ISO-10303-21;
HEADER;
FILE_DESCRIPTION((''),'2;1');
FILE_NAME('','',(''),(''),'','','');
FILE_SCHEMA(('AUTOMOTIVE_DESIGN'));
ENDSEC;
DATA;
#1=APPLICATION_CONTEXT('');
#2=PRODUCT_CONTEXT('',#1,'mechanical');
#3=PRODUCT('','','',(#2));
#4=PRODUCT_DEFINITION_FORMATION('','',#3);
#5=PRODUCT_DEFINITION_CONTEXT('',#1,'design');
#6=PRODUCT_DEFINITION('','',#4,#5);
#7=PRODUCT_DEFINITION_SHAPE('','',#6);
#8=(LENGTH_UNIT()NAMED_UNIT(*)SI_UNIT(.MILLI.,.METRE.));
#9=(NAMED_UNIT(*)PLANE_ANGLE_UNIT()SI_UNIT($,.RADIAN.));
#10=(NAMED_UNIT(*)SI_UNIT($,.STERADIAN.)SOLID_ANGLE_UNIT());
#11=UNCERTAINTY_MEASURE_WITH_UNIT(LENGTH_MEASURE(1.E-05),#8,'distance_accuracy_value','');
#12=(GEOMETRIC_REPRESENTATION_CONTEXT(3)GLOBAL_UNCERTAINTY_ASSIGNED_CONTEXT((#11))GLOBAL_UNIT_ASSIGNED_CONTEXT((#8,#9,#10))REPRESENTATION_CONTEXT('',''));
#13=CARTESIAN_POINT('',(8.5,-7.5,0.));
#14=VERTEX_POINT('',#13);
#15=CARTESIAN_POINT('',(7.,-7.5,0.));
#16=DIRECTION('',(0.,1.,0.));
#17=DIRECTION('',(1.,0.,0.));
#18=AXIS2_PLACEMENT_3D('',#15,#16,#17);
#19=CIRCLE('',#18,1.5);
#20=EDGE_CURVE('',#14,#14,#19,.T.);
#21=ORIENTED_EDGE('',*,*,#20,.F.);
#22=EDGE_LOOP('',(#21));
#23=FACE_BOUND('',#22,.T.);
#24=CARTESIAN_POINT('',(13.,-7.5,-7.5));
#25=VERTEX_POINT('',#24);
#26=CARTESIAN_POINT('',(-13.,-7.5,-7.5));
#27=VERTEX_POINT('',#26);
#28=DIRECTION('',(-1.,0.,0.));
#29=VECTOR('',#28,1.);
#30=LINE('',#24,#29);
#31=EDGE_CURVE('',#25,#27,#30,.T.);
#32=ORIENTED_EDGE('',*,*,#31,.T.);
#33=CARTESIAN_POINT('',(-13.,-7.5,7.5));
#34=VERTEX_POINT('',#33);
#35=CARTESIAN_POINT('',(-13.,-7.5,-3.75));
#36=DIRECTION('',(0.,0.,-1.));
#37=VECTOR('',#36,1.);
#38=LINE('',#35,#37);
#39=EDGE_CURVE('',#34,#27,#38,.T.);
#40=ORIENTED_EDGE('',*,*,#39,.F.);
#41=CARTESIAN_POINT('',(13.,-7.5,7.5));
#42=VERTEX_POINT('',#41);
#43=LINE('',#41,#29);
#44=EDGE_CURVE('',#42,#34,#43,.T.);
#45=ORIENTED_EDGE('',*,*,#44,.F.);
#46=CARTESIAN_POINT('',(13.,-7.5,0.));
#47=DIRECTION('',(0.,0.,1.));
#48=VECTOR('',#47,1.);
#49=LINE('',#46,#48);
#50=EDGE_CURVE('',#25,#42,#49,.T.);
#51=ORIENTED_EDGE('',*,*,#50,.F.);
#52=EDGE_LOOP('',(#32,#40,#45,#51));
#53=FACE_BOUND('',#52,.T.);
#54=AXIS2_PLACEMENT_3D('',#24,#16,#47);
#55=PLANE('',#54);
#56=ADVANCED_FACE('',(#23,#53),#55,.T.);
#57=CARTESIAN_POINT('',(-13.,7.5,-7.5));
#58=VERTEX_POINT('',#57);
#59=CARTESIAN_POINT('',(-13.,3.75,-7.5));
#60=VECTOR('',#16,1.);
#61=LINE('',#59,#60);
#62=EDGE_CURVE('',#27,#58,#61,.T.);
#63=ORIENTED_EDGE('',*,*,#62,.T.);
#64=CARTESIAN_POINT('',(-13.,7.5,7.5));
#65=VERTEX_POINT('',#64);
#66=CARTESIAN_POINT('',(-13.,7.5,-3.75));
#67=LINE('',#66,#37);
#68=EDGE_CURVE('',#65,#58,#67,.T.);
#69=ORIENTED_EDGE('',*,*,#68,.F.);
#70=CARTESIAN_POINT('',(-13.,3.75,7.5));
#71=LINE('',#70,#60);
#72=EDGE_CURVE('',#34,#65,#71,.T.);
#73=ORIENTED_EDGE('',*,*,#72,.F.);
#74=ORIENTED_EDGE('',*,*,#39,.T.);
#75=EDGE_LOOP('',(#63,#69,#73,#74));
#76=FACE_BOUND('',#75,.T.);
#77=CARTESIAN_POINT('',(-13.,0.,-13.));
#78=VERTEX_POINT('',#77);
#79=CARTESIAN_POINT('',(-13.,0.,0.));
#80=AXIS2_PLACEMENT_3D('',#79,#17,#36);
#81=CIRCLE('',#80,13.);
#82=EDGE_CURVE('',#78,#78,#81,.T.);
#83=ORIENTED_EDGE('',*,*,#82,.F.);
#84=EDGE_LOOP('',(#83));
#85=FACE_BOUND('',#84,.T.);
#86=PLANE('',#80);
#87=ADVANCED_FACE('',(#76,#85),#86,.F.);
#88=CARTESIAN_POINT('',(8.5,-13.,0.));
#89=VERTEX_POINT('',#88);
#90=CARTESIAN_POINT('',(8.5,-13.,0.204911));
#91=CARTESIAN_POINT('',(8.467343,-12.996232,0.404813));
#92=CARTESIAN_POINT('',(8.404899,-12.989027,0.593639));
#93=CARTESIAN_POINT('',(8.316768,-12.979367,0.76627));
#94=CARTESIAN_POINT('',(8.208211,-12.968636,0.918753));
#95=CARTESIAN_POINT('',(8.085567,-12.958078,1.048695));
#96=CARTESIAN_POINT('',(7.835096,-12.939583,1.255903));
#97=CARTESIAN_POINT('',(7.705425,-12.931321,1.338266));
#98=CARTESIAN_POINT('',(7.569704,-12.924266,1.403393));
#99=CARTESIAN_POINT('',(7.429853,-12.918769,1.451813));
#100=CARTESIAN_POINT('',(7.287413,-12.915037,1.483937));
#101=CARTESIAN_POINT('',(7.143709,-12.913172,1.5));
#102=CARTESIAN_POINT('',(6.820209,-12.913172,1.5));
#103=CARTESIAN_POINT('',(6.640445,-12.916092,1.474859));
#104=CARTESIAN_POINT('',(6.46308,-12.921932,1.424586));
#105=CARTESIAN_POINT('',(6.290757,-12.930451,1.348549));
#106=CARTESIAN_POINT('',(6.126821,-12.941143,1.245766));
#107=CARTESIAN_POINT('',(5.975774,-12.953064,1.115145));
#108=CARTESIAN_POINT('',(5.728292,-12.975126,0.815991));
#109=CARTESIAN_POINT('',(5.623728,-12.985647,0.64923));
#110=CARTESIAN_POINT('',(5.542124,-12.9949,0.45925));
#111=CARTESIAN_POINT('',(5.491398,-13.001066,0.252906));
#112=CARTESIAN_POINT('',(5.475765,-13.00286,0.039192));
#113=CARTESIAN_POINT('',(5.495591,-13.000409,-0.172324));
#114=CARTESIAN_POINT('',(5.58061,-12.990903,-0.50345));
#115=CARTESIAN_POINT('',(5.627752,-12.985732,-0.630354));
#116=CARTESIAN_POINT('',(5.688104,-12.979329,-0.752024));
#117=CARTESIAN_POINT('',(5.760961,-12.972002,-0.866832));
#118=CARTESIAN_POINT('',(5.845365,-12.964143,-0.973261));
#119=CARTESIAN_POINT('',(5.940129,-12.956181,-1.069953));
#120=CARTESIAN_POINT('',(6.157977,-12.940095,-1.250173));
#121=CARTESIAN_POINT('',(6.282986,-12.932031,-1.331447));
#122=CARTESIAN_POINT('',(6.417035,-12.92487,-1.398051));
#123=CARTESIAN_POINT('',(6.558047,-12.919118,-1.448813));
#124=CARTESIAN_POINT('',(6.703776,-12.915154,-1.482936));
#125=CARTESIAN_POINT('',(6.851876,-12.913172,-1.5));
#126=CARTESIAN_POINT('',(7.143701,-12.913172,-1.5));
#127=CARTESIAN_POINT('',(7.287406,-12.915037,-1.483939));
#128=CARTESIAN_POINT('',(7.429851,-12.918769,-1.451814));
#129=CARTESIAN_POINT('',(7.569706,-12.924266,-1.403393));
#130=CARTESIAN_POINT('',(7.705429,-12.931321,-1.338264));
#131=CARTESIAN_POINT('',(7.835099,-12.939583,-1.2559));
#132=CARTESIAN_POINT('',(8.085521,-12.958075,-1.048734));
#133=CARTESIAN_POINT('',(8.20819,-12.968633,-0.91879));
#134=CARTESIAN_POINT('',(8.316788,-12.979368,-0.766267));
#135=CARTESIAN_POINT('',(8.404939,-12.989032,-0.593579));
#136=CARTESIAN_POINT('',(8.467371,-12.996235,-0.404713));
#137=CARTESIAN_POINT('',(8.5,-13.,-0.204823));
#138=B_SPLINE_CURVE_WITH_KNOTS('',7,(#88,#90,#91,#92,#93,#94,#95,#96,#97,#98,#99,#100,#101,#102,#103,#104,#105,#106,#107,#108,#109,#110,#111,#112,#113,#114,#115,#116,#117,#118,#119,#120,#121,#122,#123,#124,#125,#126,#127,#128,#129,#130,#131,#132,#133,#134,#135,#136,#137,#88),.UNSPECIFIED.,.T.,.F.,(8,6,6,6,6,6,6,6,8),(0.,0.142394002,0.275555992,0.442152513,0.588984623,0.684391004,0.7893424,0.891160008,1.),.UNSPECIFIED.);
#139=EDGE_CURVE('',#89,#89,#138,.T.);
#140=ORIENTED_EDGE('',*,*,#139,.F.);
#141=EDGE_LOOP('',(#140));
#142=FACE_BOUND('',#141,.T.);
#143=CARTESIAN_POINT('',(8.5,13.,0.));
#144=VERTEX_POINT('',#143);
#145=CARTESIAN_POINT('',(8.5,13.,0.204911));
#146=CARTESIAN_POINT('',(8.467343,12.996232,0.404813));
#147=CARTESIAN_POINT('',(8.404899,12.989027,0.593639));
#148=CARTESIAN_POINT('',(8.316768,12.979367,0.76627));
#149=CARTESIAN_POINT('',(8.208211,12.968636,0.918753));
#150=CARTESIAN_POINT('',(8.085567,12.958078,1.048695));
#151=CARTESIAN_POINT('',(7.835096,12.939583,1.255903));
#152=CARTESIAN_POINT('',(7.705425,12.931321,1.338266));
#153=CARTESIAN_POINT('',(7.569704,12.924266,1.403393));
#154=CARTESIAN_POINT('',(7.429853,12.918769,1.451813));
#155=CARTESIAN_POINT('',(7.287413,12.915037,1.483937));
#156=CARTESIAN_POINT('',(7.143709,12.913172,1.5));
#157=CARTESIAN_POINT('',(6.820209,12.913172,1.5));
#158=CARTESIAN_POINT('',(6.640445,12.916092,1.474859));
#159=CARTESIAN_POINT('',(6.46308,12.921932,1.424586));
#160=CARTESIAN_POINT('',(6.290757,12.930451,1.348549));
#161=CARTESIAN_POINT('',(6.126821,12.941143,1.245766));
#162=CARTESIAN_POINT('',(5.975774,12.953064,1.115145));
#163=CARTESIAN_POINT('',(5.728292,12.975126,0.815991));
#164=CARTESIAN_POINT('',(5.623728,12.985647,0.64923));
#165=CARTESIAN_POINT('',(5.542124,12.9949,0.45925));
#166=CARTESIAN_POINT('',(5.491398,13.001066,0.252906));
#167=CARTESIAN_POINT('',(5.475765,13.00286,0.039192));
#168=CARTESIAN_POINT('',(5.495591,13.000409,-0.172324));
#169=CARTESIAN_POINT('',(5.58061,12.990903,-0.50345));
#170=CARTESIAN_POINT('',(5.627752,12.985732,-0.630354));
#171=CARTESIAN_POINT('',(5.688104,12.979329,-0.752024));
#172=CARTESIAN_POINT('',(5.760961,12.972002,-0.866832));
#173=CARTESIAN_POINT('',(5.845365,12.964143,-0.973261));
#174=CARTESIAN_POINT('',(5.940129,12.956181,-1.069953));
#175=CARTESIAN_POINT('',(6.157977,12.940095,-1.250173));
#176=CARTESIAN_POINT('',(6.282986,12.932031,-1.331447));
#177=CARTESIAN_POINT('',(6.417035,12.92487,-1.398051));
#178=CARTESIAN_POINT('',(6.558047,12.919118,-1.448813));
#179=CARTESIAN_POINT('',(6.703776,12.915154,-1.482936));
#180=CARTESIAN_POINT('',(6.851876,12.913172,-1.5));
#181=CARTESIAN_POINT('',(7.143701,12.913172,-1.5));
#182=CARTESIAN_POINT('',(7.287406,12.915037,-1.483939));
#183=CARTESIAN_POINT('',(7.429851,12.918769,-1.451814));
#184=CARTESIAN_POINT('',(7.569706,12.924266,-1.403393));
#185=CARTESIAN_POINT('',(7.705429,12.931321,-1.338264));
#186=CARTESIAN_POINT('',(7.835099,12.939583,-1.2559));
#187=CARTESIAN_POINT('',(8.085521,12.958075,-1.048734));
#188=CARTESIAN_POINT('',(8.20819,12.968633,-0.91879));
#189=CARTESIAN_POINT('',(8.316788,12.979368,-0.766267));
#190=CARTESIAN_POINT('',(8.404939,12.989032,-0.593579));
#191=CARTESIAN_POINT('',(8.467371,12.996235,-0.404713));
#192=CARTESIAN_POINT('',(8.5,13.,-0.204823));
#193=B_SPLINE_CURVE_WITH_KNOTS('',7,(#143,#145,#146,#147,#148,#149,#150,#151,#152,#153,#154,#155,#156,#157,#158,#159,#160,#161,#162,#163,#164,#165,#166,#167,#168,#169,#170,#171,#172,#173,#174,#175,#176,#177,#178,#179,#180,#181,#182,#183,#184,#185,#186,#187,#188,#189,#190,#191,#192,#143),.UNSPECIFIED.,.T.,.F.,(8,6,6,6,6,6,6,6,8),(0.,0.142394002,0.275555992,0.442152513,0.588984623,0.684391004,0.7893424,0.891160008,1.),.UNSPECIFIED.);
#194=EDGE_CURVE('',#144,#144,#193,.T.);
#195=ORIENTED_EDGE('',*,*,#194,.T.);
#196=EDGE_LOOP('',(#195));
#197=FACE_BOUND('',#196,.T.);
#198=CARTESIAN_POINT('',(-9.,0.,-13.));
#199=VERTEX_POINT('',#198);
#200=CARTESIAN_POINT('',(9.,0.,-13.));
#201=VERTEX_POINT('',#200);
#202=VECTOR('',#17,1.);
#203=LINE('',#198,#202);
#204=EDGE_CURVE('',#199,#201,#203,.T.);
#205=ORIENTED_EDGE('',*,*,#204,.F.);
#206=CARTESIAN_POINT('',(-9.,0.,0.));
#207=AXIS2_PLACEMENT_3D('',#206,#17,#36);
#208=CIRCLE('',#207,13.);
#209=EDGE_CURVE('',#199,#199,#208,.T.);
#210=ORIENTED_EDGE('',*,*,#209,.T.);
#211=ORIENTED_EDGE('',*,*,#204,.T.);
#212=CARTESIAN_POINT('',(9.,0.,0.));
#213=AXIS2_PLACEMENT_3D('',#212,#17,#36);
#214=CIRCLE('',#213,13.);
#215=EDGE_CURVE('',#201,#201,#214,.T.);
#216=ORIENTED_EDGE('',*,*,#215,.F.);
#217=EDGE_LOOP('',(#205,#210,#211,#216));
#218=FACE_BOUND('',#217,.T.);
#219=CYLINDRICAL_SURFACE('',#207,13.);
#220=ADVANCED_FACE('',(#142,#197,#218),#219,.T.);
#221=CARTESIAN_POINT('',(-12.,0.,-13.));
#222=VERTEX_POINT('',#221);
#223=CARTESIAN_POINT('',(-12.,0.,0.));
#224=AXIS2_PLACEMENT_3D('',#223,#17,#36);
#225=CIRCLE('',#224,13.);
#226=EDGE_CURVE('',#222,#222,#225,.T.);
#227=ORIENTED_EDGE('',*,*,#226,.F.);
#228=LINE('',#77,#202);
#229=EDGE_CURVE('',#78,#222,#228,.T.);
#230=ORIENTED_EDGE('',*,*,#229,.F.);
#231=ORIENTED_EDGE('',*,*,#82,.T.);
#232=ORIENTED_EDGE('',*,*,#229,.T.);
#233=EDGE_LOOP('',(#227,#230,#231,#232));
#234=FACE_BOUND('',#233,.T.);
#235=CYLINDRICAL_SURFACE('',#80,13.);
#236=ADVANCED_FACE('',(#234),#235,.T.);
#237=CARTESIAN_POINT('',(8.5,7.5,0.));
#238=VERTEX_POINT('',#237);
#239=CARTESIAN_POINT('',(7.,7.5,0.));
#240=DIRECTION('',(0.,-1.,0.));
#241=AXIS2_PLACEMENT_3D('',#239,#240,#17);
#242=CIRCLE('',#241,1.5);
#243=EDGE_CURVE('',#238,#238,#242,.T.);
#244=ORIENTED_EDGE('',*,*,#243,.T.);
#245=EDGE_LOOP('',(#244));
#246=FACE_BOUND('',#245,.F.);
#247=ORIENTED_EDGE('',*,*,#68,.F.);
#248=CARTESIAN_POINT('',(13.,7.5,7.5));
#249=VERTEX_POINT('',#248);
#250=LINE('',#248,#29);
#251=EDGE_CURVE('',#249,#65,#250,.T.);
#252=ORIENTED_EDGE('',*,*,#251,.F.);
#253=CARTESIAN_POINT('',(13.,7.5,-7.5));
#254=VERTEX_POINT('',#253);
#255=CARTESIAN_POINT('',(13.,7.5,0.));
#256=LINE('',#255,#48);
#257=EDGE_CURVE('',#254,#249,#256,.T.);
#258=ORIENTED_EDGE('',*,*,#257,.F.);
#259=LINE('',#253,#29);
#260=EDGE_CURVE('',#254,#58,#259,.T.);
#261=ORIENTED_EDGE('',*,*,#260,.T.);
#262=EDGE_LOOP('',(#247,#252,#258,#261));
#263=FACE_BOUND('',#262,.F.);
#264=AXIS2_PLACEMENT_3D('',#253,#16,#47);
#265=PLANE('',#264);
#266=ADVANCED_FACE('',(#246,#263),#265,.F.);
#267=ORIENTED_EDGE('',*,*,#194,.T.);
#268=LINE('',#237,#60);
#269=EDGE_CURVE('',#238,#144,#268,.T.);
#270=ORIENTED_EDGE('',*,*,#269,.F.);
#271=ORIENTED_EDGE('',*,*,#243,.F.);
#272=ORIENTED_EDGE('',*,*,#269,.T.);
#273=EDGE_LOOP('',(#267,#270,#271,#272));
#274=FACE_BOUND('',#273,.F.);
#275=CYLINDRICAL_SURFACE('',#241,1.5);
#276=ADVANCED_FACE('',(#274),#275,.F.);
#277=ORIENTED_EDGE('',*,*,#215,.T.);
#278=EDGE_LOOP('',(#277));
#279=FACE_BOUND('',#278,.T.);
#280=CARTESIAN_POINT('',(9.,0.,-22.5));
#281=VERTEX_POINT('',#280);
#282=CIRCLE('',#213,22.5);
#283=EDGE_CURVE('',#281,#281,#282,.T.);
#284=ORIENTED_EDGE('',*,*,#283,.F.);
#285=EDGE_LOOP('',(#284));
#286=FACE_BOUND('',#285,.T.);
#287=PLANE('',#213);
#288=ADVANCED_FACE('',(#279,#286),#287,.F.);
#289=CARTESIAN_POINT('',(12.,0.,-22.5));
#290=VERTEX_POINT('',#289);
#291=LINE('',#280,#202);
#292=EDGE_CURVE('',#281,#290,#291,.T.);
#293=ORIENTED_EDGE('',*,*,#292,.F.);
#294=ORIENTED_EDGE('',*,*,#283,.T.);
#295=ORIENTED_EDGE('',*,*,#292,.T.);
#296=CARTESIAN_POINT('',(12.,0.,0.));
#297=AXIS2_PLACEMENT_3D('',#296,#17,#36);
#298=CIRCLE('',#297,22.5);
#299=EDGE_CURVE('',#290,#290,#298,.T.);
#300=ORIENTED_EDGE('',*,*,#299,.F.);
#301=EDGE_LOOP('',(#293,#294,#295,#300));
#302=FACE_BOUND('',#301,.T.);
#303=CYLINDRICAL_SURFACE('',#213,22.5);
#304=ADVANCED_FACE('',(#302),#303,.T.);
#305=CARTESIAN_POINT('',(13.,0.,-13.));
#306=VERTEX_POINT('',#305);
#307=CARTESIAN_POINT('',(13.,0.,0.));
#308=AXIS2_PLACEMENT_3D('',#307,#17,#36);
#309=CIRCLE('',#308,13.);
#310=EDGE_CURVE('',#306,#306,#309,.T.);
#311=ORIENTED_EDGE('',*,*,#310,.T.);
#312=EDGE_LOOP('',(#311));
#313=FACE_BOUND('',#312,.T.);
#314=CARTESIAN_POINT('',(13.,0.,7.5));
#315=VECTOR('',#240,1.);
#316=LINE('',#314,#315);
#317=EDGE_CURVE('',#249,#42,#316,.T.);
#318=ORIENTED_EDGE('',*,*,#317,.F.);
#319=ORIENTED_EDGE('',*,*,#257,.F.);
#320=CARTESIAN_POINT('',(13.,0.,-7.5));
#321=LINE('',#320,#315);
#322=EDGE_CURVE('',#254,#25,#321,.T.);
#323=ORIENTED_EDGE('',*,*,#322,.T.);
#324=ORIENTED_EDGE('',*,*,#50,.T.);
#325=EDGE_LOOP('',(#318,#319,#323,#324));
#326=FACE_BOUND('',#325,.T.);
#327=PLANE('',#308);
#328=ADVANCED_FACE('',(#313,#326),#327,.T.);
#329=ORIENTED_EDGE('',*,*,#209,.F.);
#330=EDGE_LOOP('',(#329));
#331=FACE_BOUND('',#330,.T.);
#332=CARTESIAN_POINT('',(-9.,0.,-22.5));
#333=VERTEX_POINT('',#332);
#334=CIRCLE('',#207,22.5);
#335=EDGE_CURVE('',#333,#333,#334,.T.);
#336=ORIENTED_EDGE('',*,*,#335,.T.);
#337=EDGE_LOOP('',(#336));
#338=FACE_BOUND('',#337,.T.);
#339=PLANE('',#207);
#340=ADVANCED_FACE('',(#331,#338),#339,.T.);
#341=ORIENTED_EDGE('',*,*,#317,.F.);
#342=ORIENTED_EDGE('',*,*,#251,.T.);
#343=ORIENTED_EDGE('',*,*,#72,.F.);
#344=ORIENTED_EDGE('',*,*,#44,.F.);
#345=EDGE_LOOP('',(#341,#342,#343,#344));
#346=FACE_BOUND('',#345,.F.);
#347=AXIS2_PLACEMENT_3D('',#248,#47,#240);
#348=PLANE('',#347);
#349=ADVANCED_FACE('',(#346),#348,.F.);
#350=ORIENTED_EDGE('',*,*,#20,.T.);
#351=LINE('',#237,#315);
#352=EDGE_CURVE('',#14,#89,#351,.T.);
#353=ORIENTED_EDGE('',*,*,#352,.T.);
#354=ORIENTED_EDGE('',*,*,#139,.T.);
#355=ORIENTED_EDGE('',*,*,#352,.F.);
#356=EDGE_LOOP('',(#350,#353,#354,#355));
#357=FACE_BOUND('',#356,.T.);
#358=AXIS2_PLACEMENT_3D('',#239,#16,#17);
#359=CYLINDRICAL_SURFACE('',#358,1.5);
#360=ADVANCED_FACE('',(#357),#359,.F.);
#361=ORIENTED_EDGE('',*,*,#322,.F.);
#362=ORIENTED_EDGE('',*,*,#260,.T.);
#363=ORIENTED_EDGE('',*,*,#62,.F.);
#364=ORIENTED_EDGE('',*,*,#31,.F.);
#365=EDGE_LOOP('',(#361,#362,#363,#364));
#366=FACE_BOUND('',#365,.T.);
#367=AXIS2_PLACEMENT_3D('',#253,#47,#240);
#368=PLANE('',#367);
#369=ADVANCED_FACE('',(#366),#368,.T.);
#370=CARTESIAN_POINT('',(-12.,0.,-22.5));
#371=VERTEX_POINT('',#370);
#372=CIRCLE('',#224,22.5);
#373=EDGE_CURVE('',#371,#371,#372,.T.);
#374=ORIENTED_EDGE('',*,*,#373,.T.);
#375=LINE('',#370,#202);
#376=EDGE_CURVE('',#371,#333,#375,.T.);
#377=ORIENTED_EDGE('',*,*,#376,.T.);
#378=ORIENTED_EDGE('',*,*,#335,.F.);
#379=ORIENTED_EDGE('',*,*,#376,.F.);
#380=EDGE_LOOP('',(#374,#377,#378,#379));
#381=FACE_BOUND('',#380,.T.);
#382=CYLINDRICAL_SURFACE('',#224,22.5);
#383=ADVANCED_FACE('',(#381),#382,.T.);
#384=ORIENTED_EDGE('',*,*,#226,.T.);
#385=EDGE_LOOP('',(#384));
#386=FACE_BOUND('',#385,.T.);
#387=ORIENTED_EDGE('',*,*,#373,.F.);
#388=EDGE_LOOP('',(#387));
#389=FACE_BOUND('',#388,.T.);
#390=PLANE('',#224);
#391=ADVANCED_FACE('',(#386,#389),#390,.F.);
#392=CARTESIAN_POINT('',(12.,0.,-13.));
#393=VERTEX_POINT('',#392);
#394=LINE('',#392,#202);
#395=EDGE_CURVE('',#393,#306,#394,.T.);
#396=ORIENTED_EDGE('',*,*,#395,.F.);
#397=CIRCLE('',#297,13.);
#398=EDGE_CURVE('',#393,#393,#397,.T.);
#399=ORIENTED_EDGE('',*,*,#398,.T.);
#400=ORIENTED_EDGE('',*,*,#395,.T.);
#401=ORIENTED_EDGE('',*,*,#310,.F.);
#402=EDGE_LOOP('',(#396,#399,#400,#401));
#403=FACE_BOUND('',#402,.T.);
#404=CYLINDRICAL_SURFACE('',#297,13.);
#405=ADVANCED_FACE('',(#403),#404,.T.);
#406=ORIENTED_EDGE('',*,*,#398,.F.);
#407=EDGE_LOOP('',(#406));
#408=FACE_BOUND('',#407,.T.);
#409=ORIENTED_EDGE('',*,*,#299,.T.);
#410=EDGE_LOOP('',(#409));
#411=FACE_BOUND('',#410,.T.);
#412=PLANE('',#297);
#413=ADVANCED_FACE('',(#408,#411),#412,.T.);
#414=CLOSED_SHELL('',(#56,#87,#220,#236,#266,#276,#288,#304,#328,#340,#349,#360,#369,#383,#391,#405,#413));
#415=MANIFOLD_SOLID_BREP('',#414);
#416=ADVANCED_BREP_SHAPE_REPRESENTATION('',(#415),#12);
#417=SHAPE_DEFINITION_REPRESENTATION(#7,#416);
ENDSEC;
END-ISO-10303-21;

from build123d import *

# Parameters (mm, degrees)
SKETCH001_W          = 15
SKETCH001_H          = 15
POCKET_DEPTH         = 26.001
SKETCH002_R          = 1.5
POCKET001_DEPTH      = 15.001
POCKET001_DEPTH_BACK = -30.001


with BuildPart() as part:
    # Sketch → Revolution (revolve)
    with BuildSketch(Plane.XZ):
        Polygon((-12, -13), (-12, -22.5), (-9, -22.5), (-9, -13), (9, -13), (9, -22.5), (12, -22.5), (12, -13), (13, -13), (13, 0), (-13, 0), (-13, -13), align=None)
    revolve(axis=Axis((0, 0, 0), (1, 0, 0)))

    # Sketch001 → Pocket (cut, through all)
    with BuildSketch(Plane(origin=(13, 0, 0), x_dir=(0, 0, 1), z_dir=(1, 0, 0))):
        Rectangle(SKETCH001_W, SKETCH001_H)
    extrude(amount=-POCKET_DEPTH, mode=Mode.SUBTRACT)

    # Sketch002 → Pocket001 (cut, two sides)
    with BuildSketch(Plane.XZ.offset(-7.5)) as pocket001_sk:
        with Locations((7, 0)):
            Circle(SKETCH002_R)
    extrude(amount=-POCKET001_DEPTH, mode=Mode.SUBTRACT)
    extrude(pocket001_sk.sketch, amount=-POCKET001_DEPTH_BACK, mode=Mode.SUBTRACT)


solid = part.part
